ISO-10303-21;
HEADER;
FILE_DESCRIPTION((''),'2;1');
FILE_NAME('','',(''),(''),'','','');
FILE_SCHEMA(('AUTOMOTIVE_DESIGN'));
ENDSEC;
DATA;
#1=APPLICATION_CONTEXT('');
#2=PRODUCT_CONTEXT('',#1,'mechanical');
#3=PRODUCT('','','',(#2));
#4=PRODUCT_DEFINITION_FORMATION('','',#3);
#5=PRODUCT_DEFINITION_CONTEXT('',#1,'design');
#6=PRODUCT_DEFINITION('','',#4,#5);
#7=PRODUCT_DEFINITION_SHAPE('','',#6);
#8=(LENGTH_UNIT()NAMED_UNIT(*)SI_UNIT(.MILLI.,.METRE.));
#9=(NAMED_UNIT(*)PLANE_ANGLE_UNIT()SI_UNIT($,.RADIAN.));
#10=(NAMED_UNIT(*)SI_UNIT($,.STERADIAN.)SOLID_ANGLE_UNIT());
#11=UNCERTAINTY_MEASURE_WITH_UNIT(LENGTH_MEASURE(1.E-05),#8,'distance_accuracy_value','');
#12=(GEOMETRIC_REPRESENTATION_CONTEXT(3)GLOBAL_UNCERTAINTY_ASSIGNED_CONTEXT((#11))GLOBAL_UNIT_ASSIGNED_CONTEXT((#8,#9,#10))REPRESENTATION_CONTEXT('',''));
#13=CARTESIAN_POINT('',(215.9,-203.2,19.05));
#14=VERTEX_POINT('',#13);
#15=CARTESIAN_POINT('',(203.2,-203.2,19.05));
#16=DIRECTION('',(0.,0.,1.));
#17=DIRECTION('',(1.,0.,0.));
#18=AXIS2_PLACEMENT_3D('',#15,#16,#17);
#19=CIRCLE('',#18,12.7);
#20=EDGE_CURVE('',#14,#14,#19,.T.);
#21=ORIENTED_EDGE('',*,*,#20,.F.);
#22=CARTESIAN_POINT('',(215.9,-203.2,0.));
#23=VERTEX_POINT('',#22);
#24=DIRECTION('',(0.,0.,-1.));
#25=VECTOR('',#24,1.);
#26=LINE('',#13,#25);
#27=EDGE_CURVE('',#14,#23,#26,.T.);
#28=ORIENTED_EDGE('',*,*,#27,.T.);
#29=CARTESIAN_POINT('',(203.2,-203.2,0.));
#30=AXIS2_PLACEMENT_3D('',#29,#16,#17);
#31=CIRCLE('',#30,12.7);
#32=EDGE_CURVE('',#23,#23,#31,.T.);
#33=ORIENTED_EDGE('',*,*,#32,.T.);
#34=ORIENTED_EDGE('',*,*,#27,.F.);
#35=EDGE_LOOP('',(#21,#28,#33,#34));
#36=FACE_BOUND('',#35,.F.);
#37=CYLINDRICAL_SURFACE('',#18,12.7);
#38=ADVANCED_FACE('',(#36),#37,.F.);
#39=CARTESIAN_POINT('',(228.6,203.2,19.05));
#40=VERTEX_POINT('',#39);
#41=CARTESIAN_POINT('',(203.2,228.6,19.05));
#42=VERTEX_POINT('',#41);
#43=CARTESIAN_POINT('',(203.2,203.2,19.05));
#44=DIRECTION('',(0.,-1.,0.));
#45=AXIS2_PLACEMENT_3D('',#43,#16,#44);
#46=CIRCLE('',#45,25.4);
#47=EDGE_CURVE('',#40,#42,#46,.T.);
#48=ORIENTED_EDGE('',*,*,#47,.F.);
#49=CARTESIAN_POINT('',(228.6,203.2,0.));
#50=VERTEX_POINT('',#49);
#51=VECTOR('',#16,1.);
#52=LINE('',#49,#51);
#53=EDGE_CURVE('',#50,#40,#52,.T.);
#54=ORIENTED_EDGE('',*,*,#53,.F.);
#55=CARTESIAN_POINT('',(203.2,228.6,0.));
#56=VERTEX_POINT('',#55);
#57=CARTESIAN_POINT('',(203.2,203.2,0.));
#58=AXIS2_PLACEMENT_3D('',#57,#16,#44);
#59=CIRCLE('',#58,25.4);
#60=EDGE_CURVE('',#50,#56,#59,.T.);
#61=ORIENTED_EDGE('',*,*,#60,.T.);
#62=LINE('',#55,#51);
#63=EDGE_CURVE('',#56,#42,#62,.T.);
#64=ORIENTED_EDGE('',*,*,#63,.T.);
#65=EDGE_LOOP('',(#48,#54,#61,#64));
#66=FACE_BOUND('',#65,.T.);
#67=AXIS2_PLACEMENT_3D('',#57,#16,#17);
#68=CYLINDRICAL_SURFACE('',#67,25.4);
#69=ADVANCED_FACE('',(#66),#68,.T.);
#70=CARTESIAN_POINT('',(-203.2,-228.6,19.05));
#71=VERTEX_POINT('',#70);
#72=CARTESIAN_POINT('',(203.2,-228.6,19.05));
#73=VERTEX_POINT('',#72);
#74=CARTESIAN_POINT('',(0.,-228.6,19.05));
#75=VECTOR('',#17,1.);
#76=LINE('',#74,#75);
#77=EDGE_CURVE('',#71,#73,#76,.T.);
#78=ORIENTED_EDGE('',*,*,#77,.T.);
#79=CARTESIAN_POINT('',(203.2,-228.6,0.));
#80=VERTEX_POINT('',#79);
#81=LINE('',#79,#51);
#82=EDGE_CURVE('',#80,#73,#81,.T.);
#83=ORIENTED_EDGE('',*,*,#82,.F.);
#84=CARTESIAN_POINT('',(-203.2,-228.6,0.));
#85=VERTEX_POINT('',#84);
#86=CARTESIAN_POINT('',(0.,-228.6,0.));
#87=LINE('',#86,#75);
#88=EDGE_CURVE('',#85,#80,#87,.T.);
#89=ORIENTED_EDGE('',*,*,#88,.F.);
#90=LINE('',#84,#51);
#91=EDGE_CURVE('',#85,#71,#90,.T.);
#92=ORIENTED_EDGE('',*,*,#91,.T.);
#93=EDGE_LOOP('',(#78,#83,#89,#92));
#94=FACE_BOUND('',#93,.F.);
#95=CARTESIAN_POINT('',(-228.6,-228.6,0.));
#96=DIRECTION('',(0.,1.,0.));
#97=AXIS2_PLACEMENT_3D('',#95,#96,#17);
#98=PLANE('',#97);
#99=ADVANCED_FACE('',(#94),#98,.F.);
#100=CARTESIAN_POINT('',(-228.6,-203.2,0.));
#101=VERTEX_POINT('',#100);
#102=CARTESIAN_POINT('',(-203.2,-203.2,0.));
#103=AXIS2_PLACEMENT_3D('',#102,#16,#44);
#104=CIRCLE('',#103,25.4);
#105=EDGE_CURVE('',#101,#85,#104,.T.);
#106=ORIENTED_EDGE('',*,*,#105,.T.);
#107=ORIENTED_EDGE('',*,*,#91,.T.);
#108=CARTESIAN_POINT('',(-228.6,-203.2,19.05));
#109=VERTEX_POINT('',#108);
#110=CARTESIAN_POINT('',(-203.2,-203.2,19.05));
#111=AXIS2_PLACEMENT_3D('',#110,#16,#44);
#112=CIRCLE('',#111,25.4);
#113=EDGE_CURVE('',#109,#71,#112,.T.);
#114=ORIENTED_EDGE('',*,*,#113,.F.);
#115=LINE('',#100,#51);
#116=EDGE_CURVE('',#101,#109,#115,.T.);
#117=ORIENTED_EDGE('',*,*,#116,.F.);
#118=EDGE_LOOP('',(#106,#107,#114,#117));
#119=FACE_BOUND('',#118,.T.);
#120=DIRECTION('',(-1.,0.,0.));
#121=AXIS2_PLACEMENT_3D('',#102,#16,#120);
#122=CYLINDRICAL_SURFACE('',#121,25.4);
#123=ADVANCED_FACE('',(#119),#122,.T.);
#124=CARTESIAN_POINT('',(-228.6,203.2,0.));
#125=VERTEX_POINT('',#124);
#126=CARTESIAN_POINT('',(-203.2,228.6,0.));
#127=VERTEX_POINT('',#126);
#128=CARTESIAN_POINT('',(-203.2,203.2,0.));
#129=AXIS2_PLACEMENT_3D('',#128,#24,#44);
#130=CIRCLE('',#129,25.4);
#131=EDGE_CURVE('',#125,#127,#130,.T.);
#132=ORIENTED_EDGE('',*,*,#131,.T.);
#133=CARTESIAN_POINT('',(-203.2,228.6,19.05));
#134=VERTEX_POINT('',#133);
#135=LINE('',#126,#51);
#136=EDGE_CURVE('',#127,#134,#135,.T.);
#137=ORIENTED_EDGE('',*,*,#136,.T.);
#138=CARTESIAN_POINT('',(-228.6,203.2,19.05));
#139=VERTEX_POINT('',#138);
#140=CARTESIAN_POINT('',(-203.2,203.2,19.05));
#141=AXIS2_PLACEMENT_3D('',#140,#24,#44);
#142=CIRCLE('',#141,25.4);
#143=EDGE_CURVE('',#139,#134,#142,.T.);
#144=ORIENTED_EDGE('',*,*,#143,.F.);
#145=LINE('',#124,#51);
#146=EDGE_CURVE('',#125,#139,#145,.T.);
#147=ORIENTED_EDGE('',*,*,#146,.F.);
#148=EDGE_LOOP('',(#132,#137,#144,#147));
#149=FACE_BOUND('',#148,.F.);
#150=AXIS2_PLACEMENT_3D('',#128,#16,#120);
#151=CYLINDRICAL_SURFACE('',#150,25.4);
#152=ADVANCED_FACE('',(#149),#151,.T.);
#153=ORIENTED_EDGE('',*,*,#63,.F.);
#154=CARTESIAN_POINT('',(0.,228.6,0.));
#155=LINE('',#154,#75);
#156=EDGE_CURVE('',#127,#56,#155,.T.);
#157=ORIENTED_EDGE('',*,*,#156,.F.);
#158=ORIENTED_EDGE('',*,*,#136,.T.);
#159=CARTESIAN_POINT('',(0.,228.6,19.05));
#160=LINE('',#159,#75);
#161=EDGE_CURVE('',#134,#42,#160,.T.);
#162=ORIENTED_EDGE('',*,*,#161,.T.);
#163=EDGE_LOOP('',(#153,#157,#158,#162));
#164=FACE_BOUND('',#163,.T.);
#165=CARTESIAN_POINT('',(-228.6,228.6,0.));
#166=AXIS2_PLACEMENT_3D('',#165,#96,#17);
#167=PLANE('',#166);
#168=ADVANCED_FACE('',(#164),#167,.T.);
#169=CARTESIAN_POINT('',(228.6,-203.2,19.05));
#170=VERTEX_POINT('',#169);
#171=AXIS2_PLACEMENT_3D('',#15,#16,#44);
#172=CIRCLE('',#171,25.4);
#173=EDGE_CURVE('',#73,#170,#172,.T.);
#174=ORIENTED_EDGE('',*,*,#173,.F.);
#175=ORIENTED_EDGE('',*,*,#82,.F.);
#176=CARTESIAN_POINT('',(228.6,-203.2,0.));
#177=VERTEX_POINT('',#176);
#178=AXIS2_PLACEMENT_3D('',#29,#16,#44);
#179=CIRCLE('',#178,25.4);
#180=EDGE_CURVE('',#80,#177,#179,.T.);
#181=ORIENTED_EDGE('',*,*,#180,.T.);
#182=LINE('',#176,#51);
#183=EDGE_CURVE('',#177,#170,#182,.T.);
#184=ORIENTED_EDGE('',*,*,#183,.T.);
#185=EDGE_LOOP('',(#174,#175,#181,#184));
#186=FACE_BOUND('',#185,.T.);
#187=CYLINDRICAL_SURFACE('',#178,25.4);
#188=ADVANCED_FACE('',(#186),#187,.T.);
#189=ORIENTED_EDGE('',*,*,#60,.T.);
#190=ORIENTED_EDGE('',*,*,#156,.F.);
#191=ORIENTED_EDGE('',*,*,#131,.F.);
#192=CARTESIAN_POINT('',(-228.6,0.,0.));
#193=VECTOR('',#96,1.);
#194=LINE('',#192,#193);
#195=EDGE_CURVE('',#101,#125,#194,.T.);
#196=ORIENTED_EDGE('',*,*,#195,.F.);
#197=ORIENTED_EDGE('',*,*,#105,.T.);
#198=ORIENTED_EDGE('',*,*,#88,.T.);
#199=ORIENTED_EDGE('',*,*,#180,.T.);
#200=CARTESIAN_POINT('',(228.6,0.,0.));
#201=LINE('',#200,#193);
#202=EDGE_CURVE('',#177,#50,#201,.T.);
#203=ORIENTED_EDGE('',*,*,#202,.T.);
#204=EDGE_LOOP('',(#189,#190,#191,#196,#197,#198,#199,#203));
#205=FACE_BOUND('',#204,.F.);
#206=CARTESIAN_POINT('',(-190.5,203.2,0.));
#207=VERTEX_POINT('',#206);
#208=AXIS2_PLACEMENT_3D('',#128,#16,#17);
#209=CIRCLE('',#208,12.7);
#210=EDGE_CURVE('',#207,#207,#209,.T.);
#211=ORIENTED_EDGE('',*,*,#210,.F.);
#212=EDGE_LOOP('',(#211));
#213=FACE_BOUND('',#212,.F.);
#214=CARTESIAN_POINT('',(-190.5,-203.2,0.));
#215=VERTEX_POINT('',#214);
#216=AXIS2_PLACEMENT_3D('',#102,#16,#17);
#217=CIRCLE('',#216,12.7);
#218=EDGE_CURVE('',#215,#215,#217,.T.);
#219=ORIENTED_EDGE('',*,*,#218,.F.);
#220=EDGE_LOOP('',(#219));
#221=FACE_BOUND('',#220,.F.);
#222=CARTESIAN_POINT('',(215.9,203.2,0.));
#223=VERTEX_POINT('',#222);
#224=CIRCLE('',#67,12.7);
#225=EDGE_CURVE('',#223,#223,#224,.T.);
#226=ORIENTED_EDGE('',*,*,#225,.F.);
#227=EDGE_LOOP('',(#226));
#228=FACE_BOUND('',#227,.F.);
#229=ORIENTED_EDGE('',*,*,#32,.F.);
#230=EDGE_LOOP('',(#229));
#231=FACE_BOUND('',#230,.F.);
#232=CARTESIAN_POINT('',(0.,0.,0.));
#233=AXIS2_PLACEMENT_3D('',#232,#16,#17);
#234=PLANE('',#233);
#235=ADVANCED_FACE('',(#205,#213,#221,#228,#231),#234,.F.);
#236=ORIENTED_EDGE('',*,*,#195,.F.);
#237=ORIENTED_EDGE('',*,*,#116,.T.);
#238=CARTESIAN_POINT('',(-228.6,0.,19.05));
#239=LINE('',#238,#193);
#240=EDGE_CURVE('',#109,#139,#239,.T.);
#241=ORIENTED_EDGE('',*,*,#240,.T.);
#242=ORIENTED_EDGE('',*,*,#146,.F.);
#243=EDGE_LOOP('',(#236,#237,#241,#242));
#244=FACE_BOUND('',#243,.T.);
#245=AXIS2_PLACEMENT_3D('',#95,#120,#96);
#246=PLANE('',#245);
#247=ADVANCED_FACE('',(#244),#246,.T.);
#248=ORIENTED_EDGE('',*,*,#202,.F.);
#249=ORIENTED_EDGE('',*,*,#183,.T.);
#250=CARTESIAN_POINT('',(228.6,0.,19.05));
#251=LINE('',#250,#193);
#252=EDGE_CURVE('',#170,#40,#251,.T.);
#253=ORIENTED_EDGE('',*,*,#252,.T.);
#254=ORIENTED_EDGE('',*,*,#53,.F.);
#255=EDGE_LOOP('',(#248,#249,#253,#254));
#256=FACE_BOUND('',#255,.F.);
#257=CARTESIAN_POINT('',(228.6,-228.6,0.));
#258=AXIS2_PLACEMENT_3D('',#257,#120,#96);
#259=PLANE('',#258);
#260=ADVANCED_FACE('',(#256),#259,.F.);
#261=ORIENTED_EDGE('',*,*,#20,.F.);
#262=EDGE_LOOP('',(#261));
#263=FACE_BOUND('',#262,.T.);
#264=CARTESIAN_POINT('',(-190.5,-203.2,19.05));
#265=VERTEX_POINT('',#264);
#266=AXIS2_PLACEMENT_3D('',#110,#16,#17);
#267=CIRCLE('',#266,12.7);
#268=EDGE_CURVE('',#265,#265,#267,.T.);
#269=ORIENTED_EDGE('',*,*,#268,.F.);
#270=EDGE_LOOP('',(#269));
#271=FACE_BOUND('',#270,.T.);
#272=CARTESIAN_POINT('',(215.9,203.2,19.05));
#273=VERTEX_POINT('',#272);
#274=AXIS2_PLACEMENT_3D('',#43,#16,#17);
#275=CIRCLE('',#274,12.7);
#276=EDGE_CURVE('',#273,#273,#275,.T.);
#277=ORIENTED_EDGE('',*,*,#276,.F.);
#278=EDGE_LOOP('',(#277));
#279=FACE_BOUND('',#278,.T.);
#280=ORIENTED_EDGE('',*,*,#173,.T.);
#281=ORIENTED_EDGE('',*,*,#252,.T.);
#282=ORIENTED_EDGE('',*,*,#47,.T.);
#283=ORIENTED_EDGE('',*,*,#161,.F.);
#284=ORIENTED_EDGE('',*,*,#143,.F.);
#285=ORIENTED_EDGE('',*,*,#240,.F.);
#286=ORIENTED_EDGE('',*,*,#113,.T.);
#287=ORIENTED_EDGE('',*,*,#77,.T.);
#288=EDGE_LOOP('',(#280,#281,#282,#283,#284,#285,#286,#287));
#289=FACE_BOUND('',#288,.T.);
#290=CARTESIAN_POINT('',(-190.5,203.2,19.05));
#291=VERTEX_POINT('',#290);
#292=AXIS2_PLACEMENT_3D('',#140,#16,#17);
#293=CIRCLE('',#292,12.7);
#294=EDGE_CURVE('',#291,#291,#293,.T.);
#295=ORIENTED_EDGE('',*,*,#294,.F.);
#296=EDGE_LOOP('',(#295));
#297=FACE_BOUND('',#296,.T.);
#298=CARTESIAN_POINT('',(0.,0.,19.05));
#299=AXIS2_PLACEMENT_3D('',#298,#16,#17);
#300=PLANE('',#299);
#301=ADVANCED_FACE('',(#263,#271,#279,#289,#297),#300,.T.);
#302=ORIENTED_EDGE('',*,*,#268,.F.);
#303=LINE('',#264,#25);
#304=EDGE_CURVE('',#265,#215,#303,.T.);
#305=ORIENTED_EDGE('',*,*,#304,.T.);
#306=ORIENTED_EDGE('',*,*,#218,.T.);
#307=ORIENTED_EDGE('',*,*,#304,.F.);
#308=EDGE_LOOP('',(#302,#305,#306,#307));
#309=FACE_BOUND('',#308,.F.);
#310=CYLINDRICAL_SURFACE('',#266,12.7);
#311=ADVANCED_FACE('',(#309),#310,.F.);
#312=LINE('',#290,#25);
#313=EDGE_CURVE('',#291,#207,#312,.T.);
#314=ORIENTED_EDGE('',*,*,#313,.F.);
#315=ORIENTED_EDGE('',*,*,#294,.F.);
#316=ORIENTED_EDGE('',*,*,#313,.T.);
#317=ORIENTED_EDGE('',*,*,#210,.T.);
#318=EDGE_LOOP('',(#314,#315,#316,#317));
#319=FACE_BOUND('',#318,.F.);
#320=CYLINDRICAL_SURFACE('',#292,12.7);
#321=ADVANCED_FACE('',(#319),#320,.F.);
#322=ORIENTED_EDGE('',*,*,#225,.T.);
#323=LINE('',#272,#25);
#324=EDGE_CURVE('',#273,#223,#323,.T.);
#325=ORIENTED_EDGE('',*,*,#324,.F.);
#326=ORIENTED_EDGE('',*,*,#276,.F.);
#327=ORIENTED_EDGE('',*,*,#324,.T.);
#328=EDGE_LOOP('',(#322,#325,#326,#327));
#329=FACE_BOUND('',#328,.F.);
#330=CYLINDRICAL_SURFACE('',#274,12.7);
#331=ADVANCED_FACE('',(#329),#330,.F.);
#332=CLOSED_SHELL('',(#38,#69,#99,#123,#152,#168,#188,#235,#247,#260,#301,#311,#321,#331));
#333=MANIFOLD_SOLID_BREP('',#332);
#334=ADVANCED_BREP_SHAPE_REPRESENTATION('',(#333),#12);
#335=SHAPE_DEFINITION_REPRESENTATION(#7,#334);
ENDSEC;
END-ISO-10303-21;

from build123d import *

# Parameters (mm, degrees)
F0_W     = 457.2
F0_H     = 457.2
F1_DEPTH = 19.05
F2_R     = 25.4
F3_R     = 12.7
F4_DEPTH = 19.05


with BuildPart() as f1:
    # F0 (on Top) → F1 (new body)
    with BuildSketch(Plane.XY):
        Rectangle(F0_W, F0_H)
    extrude(amount=F1_DEPTH)

    # F2
    f2_edges = [f1.edges().sort_by_distance(p)[0] for p in [
        (228.6, -228.6, 9.525),
        (228.6, 228.6, 9.525),
        (-228.6, -228.6, 9.525),
        (-228.6, 228.6, 9.525),
    ]]
    fillet(f2_edges, radius=F2_R)

    # F3 (on face) → F4 (cut, through all)
    with BuildSketch(Plane.XY.offset(19.05)):
        with Locations((-203.2, 203.2)):
            Circle(F3_R)
        with Locations((203.2, 203.2)):
            Circle(F3_R)
        with Locations((203.2, -203.2)):
            Circle(F3_R)
        with Locations((-203.2, -203.2)):
            Circle(F3_R)
    extrude(amount=-F4_DEPTH, mode=Mode.SUBTRACT)


solid = f1.part
